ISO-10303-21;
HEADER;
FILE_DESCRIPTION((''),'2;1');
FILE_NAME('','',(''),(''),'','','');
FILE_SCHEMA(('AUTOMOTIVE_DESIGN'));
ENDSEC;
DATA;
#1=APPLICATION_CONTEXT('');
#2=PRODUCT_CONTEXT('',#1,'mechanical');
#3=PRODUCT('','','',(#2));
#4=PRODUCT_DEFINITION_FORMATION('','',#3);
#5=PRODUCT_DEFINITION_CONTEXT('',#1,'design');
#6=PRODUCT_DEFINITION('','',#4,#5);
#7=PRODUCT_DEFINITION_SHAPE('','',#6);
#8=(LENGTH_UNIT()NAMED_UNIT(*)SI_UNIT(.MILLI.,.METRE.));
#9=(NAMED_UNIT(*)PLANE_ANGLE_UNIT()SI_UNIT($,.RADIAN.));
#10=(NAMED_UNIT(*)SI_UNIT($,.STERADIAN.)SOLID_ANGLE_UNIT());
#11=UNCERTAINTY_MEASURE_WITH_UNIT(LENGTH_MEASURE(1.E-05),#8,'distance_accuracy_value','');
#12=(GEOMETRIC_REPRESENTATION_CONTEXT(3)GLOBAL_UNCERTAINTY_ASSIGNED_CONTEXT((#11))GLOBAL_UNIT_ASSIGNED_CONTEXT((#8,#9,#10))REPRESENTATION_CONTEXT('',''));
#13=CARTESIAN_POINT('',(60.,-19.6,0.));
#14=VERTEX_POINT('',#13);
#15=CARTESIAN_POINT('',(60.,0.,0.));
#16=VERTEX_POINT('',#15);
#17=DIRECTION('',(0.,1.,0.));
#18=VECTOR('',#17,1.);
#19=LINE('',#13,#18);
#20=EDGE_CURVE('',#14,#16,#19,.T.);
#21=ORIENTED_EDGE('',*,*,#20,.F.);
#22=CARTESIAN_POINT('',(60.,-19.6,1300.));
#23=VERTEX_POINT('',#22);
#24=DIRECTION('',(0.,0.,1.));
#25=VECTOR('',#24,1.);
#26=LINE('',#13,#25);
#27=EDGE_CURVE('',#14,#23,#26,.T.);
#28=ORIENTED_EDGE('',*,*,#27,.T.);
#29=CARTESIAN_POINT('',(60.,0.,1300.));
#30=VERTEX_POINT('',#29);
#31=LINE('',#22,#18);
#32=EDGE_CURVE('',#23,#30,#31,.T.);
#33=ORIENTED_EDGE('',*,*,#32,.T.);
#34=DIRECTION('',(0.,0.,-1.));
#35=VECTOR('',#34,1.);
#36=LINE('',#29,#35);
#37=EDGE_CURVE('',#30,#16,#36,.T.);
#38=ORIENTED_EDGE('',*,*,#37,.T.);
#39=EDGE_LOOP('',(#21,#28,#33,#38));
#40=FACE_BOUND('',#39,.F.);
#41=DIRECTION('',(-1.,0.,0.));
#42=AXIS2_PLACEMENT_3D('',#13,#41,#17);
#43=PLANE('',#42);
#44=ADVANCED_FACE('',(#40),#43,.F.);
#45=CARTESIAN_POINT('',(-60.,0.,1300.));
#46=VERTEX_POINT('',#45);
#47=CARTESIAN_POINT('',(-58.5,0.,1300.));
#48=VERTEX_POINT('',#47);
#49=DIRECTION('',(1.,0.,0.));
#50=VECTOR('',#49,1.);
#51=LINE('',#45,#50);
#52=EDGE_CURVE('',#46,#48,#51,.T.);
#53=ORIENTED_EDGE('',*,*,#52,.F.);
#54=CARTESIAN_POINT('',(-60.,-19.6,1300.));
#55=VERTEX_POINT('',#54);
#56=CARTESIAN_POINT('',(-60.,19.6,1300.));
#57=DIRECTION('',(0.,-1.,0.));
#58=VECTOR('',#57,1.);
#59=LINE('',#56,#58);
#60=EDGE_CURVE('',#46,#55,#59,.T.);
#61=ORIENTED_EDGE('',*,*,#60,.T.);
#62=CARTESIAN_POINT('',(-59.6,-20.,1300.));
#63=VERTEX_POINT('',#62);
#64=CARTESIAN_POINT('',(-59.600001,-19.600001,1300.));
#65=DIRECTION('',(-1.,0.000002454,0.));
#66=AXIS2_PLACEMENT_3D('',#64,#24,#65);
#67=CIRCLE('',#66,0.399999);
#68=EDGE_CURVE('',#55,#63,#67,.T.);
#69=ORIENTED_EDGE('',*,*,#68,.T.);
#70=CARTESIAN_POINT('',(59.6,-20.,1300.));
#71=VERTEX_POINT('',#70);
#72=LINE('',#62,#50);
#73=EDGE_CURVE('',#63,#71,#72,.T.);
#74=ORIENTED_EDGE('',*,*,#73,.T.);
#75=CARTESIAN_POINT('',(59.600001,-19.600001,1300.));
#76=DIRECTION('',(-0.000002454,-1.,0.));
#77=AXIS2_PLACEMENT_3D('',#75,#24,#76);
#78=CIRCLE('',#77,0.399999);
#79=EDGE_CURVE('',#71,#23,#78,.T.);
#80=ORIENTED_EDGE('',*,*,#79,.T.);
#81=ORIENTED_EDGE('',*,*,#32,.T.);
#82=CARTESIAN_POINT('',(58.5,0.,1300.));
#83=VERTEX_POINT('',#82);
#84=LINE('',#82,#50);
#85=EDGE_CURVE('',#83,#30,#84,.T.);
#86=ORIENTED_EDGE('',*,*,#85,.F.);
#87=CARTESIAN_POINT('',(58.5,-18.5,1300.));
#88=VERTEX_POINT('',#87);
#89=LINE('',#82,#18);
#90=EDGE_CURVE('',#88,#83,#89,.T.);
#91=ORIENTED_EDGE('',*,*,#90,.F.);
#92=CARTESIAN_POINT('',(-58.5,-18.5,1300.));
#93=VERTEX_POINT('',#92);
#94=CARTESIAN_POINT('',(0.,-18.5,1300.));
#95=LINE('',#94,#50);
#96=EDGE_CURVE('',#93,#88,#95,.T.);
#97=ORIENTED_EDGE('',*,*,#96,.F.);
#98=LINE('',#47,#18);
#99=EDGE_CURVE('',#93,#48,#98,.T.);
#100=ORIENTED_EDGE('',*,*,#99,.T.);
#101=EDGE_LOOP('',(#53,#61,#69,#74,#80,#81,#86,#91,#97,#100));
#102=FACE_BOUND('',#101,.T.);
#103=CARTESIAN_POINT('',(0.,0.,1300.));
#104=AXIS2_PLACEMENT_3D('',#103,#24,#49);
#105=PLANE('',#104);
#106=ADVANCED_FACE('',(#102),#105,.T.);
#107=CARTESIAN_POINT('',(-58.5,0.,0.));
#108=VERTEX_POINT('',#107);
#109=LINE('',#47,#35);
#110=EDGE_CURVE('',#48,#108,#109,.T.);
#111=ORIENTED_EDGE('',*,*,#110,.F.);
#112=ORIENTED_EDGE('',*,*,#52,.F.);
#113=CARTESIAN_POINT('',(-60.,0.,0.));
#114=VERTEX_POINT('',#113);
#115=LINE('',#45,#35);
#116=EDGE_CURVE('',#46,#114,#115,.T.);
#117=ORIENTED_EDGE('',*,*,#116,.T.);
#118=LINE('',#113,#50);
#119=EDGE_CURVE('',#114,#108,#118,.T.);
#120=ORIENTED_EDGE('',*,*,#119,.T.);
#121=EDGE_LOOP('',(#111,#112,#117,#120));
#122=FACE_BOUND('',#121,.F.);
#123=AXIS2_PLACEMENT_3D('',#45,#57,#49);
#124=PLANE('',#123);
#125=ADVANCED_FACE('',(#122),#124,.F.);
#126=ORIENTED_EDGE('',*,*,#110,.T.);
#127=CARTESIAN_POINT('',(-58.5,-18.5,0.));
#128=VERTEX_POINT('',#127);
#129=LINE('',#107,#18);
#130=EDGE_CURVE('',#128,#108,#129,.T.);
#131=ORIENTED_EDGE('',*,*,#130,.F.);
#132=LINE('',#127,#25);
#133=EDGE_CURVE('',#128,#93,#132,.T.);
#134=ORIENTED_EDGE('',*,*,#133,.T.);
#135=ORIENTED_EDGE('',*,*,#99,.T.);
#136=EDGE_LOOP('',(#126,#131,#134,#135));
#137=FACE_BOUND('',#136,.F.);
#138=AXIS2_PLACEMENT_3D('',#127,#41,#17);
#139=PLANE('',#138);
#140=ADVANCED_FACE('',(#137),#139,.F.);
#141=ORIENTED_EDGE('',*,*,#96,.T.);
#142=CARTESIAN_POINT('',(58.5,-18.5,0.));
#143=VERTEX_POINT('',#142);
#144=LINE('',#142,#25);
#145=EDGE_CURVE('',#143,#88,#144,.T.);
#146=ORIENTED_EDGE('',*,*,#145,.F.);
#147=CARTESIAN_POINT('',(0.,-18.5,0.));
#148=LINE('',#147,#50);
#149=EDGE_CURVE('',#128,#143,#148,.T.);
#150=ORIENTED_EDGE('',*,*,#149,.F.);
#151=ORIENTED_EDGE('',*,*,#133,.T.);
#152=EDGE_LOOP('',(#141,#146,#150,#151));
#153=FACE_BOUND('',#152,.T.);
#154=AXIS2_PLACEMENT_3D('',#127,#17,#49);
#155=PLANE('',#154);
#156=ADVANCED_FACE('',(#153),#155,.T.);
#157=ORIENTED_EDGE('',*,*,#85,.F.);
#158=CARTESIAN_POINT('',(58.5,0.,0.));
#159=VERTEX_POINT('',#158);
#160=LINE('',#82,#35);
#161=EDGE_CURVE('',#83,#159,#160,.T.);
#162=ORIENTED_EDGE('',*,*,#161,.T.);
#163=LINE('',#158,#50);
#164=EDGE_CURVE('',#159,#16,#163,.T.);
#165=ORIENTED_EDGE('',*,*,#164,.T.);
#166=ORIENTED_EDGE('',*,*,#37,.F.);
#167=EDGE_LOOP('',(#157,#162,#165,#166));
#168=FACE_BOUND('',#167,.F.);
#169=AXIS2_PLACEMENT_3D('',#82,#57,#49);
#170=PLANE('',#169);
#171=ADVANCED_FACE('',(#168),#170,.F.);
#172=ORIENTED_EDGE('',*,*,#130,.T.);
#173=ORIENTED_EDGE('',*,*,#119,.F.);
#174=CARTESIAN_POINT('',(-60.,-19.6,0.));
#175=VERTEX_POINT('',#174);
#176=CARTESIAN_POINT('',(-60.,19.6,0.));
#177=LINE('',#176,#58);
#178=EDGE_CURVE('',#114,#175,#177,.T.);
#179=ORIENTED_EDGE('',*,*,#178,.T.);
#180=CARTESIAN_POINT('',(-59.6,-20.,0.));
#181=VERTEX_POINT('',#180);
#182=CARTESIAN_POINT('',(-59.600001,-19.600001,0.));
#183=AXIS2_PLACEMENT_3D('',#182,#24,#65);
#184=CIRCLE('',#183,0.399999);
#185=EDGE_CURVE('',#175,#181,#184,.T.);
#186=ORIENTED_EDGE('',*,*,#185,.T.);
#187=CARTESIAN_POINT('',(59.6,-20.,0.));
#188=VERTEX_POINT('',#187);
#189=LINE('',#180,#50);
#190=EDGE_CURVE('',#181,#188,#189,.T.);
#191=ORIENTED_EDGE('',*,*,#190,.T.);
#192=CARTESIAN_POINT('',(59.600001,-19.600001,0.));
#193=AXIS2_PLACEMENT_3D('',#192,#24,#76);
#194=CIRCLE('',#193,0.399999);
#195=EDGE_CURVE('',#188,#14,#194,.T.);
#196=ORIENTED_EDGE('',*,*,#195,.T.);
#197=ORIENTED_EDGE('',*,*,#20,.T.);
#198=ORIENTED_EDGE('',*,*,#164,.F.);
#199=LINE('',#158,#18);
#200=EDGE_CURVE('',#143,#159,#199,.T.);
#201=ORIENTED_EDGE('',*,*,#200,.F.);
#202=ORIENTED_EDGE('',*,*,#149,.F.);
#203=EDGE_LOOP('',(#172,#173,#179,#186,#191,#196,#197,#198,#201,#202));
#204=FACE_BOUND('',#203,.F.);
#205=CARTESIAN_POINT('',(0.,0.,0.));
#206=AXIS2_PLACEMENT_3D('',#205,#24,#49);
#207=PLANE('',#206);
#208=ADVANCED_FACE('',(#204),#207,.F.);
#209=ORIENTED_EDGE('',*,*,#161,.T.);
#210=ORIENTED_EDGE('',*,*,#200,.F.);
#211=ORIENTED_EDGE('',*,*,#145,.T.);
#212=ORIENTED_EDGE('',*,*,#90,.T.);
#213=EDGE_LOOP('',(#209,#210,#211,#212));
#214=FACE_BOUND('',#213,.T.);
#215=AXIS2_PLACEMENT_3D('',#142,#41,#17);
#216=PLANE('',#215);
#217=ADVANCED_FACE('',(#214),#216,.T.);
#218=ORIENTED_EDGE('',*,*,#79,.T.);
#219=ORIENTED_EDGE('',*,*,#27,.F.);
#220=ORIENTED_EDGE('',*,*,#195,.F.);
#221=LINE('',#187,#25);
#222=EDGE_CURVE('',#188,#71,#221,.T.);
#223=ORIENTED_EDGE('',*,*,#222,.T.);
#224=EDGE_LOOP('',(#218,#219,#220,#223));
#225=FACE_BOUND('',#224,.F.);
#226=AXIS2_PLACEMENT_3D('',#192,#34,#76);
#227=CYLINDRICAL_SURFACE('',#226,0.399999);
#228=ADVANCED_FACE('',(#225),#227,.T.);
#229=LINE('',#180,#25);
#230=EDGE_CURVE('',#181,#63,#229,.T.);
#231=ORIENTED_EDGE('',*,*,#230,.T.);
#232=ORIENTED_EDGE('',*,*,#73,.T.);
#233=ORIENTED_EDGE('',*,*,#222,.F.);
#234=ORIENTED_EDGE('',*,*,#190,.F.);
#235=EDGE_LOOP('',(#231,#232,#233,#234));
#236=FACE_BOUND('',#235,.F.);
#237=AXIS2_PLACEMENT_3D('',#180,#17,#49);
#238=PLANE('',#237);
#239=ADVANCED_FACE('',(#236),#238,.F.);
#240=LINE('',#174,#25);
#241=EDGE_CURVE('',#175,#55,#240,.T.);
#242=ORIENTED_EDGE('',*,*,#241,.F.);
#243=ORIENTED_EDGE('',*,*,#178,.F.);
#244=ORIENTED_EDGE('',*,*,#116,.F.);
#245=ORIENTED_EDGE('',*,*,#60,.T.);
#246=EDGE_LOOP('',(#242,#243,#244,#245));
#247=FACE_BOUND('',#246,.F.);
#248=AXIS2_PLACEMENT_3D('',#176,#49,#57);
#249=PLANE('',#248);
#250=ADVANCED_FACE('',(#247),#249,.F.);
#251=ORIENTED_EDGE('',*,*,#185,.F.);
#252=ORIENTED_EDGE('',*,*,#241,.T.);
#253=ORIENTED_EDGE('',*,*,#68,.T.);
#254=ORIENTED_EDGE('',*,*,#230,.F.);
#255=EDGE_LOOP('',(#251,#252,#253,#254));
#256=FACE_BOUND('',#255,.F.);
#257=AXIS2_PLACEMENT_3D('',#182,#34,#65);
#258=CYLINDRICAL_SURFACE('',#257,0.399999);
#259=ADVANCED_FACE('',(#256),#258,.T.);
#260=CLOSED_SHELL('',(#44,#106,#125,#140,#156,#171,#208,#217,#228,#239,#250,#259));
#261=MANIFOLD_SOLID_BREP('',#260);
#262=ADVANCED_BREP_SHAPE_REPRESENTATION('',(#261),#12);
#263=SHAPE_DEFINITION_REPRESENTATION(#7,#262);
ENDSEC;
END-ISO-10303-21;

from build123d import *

# Parameters (mm, degrees)
F0_W     = 117
F0_H     = 37
F1_DEPTH = 1300
F3_DEPTH = 1300


with BuildPart() as f1:
    # F0 (on Top) → F1 (new body)
    with BuildSketch(Plane.XY):
        with BuildLine():
            ThreePointArc((60, 19.6), (59.882843, 19.882843), (59.6, 20))
            Line((59.6, 20), (-59.6, 20))
            ThreePointArc((-59.6, 20), (-59.882843, 19.882843), (-60, 19.6))
            Line((-60, 19.6), (-60, -19.6))
            ThreePointArc((-60, -19.6), (-59.882843, -19.882843), (-59.6, -20))
            Line((-59.6, -20), (59.6, -20))
            ThreePointArc((59.6, -20), (59.882843, -19.882843), (60, -19.6))
            Line((60, -19.6), (60, 19.6))
        make_face()
        Rectangle(F0_W, F0_H, mode=Mode.SUBTRACT)
    extrude(amount=F1_DEPTH)

    # F2 (on face) → F3 (cut)
    with BuildSketch(Plane.XY.offset(1300)):
        with BuildLine():
            Line((-60, 0), (-58.5, 0))
            Line((-58.5, 0), (-58.5, 18.5))
            Line((-58.5, 18.5), (58.5, 18.5))
            Line((58.5, 18.5), (58.5, 0))
            Line((58.5, 0), (60, 0))
            Line((60, 0), (60, 19.6))
            ThreePointArc((60, 19.6), (59.882843, 19.882843), (59.6, 20))
            Line((59.6, 20), (-59.6, 20))
            ThreePointArc((-59.6, 20), (-59.882843, 19.882843), (-60, 19.6))
            Line((-60, 19.6), (-60, 0))
        make_face()
    extrude(amount=-F3_DEPTH, mode=Mode.SUBTRACT)


solid = f1.part
